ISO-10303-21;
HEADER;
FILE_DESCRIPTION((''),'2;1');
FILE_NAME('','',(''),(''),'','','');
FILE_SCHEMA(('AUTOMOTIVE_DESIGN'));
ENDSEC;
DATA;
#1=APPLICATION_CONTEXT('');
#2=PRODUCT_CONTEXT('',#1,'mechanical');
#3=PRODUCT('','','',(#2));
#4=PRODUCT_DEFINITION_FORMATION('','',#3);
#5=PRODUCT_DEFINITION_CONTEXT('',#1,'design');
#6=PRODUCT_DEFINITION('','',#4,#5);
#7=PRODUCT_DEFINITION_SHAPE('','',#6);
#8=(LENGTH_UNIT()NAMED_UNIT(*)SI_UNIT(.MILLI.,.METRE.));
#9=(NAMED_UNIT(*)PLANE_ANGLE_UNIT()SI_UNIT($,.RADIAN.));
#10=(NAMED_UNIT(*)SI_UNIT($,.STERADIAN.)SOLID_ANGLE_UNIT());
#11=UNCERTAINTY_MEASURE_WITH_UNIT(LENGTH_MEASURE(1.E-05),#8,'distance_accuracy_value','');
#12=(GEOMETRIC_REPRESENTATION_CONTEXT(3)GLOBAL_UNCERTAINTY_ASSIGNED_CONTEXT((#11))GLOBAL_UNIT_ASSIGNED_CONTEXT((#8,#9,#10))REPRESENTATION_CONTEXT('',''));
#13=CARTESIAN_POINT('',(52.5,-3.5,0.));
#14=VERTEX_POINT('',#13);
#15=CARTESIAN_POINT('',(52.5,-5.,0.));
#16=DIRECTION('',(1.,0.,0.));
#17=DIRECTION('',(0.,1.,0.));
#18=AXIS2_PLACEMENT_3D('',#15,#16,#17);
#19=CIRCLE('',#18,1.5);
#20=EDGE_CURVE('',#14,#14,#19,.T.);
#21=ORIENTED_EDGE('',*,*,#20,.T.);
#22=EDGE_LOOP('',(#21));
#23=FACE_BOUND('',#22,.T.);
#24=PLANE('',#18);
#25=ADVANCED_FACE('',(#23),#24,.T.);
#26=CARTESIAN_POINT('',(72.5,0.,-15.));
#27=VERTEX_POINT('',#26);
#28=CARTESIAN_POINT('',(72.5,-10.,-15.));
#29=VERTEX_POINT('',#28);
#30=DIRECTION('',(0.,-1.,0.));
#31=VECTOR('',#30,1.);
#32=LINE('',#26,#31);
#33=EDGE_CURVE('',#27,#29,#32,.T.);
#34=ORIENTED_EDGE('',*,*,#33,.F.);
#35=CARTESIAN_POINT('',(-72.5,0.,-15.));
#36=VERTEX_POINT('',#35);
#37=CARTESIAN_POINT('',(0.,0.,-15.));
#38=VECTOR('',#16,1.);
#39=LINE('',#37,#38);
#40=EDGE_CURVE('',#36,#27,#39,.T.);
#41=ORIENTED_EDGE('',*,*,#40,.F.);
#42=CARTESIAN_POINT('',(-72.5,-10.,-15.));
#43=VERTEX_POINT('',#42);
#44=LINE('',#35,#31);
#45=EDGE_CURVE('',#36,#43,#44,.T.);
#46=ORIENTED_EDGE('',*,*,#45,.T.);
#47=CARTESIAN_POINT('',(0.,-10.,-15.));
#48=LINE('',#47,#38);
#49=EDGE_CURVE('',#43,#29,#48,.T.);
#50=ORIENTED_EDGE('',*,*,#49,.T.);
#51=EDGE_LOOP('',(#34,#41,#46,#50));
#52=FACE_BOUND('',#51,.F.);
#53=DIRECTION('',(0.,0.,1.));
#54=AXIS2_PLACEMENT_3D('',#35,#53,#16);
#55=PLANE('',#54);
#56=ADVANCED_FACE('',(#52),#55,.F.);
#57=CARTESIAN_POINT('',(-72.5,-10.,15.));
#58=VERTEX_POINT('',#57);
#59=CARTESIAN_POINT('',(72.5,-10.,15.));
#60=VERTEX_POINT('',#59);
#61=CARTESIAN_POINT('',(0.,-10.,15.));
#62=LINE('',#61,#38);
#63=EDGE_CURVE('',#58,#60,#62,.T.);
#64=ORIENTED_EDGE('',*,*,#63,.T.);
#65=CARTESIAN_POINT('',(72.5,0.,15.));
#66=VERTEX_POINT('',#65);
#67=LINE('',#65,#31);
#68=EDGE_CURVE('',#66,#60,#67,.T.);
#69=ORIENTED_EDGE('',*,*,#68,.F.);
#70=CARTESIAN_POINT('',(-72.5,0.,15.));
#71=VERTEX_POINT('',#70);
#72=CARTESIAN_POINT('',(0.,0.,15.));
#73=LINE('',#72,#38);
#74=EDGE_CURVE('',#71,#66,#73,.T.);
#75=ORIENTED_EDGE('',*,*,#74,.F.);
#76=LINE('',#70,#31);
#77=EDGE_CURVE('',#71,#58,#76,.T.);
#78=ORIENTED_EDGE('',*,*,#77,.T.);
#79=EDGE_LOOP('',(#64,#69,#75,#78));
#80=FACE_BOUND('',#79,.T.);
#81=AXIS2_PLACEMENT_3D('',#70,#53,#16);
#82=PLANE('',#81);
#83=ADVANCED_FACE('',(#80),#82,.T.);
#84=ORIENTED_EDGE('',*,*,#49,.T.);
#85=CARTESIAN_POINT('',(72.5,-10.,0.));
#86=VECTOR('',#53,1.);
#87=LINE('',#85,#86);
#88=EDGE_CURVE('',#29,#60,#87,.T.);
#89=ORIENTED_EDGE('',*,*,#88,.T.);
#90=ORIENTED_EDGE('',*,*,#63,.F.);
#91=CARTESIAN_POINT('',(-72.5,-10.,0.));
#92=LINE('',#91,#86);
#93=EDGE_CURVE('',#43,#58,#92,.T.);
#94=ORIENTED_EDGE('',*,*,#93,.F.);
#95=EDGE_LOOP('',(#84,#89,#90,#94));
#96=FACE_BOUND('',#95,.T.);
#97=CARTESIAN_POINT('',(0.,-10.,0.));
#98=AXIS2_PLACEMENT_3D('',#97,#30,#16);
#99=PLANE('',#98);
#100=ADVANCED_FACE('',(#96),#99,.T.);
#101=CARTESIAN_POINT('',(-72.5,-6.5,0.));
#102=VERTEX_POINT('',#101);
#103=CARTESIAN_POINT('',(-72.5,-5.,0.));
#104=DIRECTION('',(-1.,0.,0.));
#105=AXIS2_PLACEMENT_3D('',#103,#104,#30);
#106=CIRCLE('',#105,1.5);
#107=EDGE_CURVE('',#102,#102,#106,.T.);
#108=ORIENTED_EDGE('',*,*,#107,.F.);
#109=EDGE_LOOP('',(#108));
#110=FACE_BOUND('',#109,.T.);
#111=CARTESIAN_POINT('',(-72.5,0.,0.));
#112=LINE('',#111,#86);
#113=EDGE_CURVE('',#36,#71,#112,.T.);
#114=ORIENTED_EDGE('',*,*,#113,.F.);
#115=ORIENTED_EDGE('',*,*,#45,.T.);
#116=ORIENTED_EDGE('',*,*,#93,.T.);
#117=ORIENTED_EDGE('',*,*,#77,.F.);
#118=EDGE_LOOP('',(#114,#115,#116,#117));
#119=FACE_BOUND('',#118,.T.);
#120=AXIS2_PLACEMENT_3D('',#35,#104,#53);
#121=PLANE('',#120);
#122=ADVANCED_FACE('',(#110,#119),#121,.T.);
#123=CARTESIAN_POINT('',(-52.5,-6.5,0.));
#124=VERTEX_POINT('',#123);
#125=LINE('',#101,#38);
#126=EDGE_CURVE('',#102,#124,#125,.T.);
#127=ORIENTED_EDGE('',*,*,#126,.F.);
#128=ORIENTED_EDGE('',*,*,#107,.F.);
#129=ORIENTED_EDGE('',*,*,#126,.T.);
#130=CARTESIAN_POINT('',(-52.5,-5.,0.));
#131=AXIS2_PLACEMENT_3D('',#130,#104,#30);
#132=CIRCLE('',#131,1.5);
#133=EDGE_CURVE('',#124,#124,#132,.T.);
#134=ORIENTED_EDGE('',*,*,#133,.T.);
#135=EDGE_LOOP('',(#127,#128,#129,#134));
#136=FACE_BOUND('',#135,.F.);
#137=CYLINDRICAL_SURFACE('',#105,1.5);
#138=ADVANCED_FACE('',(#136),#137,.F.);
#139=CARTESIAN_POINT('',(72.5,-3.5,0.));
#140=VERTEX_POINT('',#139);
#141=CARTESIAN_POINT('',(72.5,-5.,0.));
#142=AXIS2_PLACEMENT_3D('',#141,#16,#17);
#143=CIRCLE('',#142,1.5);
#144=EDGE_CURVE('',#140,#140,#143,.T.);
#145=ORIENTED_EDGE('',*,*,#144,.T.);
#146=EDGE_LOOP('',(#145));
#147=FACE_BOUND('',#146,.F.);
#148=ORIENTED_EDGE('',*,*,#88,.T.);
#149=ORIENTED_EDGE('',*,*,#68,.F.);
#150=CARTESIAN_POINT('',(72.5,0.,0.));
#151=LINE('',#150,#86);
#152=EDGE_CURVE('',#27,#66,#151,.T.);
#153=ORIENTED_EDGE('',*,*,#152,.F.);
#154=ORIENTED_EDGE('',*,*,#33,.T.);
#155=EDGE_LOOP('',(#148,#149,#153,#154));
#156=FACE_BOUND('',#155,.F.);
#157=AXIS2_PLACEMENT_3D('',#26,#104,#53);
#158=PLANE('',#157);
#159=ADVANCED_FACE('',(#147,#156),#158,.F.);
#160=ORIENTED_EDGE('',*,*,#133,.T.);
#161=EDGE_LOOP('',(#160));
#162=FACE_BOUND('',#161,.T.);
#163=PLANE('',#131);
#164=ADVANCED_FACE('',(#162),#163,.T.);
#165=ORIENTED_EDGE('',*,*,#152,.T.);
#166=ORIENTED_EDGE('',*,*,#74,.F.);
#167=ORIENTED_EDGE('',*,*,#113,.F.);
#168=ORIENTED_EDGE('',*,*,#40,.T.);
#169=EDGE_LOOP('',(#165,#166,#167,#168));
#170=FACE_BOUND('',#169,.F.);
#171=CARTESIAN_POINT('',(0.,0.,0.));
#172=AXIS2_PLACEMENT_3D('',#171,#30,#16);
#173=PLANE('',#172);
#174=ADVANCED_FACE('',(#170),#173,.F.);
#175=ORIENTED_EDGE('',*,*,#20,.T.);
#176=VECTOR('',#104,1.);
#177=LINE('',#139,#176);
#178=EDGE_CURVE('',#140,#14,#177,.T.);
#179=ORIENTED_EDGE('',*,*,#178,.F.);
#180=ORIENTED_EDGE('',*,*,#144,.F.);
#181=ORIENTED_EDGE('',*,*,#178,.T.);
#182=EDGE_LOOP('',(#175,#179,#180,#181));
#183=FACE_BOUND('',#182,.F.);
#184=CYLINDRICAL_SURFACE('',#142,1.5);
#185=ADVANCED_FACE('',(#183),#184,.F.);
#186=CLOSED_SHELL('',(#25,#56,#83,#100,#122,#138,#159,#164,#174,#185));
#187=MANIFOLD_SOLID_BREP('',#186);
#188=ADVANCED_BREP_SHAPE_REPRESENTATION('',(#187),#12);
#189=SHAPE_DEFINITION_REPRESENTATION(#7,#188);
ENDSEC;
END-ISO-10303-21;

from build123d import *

# Parameters (mm, degrees)
F0_W     = 145
F0_H     = 30
F1_DEPTH = 10
F2_R     = 1.5
F3_DEPTH = 20
F4_R     = 1.5
F5_DEPTH = 20


with BuildPart() as f1:
    # F0 (on Front) → F1 (new body)
    with BuildSketch(Plane.XZ):
        Rectangle(F0_W, F0_H)
    extrude(amount=F1_DEPTH)

    # F2 (on face) → F3 (cut)
    with BuildSketch(Plane(origin=(-72.5, 0, 0), x_dir=(0, -1, 0), z_dir=(-1, 0, 0))):
        with Locations((5, 0)):
            Circle(F2_R)
    extrude(amount=-F3_DEPTH, mode=Mode.SUBTRACT)

    # F4 (on face) → F5 (cut)
    with BuildSketch(Plane.YZ.offset(72.5)):
        with Locations((-5, 0)):
            Circle(F4_R)
    extrude(amount=-F5_DEPTH, mode=Mode.SUBTRACT)


solid = f1.part
